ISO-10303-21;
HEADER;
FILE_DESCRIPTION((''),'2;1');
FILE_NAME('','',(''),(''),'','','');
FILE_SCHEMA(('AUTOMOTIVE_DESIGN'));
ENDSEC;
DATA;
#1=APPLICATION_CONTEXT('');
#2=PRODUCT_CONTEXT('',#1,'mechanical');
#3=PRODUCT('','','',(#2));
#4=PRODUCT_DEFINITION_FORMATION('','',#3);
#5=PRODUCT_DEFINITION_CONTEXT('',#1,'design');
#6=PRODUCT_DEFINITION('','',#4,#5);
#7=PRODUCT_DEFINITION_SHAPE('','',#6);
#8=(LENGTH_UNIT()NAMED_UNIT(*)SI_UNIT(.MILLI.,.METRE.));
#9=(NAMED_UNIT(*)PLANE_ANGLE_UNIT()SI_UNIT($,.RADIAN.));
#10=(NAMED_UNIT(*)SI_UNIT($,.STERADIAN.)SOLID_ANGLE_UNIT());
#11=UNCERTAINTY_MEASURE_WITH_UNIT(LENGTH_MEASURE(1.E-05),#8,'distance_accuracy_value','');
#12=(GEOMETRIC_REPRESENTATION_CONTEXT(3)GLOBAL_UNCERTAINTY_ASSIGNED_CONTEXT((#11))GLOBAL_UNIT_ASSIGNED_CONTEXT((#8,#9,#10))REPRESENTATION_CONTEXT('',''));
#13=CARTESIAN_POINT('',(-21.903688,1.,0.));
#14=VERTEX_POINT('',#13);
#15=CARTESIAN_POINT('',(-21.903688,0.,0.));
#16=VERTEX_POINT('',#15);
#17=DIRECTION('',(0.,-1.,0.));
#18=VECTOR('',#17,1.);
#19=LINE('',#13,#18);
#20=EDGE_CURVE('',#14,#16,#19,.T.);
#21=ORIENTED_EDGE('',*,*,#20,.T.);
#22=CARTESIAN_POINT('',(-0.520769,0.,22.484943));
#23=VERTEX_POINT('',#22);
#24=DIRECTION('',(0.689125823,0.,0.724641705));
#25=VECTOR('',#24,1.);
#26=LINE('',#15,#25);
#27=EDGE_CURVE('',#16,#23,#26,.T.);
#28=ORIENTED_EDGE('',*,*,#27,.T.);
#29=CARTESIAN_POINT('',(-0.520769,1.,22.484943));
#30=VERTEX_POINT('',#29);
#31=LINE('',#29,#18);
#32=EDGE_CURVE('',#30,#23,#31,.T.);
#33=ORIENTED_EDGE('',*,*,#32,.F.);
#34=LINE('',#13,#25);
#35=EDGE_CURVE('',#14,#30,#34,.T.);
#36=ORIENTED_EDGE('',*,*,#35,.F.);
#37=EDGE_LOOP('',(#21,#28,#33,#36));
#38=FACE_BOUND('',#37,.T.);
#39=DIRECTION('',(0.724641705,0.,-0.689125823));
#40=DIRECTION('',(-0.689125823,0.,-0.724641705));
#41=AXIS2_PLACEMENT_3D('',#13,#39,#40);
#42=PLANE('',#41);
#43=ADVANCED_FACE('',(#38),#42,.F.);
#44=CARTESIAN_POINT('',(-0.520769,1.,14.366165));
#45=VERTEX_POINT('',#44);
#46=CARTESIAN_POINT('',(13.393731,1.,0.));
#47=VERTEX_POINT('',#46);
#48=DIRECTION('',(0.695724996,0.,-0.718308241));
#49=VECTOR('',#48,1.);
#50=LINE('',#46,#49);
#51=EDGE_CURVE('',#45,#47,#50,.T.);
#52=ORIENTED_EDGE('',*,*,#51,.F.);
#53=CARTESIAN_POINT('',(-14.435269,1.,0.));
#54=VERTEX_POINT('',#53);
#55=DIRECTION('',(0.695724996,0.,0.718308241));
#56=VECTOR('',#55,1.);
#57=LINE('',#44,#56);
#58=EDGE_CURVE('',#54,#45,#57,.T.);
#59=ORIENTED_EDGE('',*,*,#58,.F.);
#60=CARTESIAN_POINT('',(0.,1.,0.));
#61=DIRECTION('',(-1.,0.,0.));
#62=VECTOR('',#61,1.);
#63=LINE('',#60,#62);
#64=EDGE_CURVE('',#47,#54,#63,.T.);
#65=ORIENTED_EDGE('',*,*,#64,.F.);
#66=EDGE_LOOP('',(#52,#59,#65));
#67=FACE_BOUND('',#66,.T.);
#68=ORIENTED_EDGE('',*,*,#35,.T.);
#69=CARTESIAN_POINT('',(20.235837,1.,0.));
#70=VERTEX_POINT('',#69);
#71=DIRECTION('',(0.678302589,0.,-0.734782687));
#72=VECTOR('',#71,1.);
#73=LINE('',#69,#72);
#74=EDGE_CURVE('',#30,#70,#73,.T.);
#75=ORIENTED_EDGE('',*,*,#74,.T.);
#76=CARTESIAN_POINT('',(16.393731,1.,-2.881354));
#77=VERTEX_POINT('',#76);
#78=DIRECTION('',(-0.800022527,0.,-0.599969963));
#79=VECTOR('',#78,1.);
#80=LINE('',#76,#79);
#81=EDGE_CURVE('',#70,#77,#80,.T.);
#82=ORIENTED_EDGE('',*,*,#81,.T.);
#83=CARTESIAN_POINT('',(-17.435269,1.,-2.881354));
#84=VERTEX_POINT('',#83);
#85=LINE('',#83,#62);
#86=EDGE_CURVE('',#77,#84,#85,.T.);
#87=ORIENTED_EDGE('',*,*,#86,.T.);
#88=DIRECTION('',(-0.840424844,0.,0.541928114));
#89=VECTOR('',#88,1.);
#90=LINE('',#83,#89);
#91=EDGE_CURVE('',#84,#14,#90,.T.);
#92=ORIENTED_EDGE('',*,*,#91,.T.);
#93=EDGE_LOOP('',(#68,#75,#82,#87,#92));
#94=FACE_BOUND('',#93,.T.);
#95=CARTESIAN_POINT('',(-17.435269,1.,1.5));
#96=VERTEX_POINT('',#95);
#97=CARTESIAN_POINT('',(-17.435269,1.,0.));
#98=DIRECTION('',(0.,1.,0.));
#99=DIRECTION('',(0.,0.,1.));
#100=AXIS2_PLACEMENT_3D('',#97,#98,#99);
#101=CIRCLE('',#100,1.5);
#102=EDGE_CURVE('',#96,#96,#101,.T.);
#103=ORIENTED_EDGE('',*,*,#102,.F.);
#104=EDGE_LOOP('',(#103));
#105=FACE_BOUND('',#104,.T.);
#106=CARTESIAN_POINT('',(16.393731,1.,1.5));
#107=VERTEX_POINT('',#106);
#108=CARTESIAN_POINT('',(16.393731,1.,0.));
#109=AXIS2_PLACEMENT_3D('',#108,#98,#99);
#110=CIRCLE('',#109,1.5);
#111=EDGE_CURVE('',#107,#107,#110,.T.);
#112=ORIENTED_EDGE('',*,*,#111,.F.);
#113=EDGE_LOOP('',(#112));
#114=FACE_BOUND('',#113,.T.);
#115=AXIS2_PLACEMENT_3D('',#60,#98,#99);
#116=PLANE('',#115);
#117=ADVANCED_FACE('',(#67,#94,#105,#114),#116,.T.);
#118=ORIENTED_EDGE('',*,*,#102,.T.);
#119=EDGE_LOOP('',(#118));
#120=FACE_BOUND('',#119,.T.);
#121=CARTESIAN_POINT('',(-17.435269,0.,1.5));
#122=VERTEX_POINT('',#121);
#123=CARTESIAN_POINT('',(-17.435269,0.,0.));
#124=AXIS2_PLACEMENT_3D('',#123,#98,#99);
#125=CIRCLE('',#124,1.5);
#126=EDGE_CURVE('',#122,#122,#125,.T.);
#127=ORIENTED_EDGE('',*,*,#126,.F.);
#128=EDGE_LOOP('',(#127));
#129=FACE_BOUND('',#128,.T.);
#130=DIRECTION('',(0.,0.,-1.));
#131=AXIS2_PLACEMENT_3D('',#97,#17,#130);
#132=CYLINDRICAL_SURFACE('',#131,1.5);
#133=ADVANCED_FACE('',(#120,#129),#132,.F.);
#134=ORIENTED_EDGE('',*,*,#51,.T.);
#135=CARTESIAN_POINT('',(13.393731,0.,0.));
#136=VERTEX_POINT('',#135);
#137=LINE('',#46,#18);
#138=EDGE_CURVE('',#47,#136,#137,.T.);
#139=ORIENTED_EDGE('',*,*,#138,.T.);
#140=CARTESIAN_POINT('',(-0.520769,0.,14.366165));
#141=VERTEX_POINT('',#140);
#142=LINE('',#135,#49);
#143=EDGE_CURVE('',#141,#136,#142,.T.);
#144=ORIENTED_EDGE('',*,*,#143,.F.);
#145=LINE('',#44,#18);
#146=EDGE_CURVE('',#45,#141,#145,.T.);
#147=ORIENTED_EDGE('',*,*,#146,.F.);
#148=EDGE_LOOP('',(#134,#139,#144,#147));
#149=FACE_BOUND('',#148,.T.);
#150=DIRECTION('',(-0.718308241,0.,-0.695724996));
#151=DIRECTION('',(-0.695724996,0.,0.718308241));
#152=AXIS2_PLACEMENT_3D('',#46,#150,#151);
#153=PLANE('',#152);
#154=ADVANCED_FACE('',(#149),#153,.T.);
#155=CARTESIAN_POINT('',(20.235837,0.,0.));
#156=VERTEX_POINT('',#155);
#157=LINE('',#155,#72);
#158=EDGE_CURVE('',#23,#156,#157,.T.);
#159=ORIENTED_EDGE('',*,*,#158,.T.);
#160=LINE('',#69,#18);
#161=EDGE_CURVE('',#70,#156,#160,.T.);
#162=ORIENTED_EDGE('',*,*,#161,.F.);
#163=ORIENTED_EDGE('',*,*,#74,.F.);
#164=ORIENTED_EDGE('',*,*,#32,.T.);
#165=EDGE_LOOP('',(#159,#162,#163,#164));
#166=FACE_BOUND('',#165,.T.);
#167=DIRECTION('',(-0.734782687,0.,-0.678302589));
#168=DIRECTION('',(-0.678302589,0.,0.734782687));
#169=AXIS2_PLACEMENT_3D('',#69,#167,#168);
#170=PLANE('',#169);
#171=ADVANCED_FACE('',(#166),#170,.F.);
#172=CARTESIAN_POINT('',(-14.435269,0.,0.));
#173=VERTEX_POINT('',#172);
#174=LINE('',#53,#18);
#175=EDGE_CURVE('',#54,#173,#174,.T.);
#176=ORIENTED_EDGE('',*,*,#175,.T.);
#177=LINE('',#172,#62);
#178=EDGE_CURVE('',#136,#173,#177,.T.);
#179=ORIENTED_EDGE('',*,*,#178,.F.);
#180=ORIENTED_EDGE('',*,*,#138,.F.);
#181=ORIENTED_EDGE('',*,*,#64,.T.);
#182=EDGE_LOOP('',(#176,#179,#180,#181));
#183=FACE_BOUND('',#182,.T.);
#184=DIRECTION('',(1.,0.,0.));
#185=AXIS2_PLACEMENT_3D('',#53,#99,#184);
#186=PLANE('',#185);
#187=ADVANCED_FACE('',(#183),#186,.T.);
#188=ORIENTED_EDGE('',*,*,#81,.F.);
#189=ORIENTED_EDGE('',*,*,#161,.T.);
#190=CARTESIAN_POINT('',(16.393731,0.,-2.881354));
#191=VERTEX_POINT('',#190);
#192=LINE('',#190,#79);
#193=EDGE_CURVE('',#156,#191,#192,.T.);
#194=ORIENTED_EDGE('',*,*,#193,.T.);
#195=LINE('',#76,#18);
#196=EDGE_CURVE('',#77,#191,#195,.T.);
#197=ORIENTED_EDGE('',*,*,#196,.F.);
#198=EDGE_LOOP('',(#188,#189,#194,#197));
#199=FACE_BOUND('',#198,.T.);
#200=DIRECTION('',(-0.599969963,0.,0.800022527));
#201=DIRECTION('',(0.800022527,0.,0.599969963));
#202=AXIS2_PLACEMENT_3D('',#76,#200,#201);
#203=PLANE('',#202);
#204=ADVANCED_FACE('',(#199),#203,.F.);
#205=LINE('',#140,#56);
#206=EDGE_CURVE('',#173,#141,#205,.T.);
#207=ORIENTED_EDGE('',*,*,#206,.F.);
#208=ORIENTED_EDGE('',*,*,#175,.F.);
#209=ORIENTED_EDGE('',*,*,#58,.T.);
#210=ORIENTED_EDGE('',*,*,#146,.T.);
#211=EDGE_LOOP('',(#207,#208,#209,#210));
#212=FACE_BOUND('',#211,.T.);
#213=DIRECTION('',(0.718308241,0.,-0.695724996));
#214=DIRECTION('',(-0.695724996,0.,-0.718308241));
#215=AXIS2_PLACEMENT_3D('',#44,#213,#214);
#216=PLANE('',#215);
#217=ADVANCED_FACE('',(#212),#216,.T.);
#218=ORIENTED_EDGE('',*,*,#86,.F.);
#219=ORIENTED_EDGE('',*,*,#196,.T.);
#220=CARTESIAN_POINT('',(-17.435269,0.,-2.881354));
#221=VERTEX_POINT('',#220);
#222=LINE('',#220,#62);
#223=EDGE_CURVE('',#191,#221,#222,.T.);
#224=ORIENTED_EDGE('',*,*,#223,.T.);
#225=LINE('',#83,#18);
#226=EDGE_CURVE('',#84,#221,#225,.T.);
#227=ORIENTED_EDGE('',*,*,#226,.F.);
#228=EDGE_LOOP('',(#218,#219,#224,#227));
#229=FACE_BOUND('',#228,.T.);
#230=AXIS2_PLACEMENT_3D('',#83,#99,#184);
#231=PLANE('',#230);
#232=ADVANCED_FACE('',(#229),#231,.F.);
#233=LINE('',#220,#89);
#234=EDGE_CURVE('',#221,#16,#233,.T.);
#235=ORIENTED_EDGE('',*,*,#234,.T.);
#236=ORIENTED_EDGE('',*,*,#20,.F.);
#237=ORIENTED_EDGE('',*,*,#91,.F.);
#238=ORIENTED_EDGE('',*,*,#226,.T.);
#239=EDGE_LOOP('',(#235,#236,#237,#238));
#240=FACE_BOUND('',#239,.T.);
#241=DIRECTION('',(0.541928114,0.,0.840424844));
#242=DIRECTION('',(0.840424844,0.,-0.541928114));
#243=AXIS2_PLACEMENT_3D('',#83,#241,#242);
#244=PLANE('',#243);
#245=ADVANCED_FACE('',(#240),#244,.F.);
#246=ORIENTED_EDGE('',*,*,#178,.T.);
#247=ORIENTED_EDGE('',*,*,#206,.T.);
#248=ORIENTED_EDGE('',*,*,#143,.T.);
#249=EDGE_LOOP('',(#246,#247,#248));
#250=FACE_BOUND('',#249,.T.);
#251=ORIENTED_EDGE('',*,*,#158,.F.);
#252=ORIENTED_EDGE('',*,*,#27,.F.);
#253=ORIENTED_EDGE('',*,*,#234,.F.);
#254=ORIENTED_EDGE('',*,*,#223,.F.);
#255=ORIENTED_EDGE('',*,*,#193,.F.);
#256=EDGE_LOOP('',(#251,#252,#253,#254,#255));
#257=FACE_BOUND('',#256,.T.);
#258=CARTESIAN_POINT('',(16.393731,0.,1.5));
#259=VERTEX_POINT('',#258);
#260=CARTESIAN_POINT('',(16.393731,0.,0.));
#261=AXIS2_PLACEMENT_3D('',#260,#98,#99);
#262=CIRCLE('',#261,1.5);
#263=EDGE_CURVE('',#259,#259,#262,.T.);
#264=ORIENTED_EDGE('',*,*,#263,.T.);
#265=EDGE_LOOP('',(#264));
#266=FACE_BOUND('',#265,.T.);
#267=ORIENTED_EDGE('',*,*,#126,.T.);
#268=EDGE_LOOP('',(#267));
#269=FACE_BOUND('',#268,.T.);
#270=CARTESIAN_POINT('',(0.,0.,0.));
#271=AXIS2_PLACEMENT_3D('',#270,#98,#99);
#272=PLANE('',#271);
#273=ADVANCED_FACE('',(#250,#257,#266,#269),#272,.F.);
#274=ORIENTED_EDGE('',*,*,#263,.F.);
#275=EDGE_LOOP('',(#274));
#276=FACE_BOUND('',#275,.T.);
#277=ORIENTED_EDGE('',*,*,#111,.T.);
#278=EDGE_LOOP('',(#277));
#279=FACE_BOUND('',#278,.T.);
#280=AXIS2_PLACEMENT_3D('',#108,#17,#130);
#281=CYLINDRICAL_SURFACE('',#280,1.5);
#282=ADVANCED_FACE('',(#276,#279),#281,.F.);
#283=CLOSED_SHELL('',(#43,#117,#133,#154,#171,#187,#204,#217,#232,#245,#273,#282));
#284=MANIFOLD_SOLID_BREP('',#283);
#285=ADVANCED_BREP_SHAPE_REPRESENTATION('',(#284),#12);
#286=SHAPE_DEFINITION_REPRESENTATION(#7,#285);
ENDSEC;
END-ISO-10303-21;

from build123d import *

# Parameters (mm, degrees)
SKETCH_1_R      = 1.5
EXTRUDE_4_DEPTH = 1


with BuildPart() as part:
    # 草图1 → 凸台-拉伸4 (new body)
    with BuildSketch(Plane(origin=(0, 0, 0), x_dir=(1, 0, 0), z_dir=(0, 1, 0))):
        Polygon((-17.435269168, 2.881354455), (16.393730682, 2.881354455), (20.235837144, 0), (-0.520769243, -22.484942941), (-21.903688145, 0), align=None)
        with Locations((-17.435269168, 0)):
            Circle(SKETCH_1_R, mode=Mode.SUBTRACT)
        with Locations((16.393730682, 0)):
            Circle(SKETCH_1_R, mode=Mode.SUBTRACT)
        Polygon((-14.435269168, 0), (0, 0), (13.393730682, 0), (-0.520769243, -14.366164827), align=None, mode=Mode.SUBTRACT)
    extrude(amount=EXTRUDE_4_DEPTH)


solid = part.part
